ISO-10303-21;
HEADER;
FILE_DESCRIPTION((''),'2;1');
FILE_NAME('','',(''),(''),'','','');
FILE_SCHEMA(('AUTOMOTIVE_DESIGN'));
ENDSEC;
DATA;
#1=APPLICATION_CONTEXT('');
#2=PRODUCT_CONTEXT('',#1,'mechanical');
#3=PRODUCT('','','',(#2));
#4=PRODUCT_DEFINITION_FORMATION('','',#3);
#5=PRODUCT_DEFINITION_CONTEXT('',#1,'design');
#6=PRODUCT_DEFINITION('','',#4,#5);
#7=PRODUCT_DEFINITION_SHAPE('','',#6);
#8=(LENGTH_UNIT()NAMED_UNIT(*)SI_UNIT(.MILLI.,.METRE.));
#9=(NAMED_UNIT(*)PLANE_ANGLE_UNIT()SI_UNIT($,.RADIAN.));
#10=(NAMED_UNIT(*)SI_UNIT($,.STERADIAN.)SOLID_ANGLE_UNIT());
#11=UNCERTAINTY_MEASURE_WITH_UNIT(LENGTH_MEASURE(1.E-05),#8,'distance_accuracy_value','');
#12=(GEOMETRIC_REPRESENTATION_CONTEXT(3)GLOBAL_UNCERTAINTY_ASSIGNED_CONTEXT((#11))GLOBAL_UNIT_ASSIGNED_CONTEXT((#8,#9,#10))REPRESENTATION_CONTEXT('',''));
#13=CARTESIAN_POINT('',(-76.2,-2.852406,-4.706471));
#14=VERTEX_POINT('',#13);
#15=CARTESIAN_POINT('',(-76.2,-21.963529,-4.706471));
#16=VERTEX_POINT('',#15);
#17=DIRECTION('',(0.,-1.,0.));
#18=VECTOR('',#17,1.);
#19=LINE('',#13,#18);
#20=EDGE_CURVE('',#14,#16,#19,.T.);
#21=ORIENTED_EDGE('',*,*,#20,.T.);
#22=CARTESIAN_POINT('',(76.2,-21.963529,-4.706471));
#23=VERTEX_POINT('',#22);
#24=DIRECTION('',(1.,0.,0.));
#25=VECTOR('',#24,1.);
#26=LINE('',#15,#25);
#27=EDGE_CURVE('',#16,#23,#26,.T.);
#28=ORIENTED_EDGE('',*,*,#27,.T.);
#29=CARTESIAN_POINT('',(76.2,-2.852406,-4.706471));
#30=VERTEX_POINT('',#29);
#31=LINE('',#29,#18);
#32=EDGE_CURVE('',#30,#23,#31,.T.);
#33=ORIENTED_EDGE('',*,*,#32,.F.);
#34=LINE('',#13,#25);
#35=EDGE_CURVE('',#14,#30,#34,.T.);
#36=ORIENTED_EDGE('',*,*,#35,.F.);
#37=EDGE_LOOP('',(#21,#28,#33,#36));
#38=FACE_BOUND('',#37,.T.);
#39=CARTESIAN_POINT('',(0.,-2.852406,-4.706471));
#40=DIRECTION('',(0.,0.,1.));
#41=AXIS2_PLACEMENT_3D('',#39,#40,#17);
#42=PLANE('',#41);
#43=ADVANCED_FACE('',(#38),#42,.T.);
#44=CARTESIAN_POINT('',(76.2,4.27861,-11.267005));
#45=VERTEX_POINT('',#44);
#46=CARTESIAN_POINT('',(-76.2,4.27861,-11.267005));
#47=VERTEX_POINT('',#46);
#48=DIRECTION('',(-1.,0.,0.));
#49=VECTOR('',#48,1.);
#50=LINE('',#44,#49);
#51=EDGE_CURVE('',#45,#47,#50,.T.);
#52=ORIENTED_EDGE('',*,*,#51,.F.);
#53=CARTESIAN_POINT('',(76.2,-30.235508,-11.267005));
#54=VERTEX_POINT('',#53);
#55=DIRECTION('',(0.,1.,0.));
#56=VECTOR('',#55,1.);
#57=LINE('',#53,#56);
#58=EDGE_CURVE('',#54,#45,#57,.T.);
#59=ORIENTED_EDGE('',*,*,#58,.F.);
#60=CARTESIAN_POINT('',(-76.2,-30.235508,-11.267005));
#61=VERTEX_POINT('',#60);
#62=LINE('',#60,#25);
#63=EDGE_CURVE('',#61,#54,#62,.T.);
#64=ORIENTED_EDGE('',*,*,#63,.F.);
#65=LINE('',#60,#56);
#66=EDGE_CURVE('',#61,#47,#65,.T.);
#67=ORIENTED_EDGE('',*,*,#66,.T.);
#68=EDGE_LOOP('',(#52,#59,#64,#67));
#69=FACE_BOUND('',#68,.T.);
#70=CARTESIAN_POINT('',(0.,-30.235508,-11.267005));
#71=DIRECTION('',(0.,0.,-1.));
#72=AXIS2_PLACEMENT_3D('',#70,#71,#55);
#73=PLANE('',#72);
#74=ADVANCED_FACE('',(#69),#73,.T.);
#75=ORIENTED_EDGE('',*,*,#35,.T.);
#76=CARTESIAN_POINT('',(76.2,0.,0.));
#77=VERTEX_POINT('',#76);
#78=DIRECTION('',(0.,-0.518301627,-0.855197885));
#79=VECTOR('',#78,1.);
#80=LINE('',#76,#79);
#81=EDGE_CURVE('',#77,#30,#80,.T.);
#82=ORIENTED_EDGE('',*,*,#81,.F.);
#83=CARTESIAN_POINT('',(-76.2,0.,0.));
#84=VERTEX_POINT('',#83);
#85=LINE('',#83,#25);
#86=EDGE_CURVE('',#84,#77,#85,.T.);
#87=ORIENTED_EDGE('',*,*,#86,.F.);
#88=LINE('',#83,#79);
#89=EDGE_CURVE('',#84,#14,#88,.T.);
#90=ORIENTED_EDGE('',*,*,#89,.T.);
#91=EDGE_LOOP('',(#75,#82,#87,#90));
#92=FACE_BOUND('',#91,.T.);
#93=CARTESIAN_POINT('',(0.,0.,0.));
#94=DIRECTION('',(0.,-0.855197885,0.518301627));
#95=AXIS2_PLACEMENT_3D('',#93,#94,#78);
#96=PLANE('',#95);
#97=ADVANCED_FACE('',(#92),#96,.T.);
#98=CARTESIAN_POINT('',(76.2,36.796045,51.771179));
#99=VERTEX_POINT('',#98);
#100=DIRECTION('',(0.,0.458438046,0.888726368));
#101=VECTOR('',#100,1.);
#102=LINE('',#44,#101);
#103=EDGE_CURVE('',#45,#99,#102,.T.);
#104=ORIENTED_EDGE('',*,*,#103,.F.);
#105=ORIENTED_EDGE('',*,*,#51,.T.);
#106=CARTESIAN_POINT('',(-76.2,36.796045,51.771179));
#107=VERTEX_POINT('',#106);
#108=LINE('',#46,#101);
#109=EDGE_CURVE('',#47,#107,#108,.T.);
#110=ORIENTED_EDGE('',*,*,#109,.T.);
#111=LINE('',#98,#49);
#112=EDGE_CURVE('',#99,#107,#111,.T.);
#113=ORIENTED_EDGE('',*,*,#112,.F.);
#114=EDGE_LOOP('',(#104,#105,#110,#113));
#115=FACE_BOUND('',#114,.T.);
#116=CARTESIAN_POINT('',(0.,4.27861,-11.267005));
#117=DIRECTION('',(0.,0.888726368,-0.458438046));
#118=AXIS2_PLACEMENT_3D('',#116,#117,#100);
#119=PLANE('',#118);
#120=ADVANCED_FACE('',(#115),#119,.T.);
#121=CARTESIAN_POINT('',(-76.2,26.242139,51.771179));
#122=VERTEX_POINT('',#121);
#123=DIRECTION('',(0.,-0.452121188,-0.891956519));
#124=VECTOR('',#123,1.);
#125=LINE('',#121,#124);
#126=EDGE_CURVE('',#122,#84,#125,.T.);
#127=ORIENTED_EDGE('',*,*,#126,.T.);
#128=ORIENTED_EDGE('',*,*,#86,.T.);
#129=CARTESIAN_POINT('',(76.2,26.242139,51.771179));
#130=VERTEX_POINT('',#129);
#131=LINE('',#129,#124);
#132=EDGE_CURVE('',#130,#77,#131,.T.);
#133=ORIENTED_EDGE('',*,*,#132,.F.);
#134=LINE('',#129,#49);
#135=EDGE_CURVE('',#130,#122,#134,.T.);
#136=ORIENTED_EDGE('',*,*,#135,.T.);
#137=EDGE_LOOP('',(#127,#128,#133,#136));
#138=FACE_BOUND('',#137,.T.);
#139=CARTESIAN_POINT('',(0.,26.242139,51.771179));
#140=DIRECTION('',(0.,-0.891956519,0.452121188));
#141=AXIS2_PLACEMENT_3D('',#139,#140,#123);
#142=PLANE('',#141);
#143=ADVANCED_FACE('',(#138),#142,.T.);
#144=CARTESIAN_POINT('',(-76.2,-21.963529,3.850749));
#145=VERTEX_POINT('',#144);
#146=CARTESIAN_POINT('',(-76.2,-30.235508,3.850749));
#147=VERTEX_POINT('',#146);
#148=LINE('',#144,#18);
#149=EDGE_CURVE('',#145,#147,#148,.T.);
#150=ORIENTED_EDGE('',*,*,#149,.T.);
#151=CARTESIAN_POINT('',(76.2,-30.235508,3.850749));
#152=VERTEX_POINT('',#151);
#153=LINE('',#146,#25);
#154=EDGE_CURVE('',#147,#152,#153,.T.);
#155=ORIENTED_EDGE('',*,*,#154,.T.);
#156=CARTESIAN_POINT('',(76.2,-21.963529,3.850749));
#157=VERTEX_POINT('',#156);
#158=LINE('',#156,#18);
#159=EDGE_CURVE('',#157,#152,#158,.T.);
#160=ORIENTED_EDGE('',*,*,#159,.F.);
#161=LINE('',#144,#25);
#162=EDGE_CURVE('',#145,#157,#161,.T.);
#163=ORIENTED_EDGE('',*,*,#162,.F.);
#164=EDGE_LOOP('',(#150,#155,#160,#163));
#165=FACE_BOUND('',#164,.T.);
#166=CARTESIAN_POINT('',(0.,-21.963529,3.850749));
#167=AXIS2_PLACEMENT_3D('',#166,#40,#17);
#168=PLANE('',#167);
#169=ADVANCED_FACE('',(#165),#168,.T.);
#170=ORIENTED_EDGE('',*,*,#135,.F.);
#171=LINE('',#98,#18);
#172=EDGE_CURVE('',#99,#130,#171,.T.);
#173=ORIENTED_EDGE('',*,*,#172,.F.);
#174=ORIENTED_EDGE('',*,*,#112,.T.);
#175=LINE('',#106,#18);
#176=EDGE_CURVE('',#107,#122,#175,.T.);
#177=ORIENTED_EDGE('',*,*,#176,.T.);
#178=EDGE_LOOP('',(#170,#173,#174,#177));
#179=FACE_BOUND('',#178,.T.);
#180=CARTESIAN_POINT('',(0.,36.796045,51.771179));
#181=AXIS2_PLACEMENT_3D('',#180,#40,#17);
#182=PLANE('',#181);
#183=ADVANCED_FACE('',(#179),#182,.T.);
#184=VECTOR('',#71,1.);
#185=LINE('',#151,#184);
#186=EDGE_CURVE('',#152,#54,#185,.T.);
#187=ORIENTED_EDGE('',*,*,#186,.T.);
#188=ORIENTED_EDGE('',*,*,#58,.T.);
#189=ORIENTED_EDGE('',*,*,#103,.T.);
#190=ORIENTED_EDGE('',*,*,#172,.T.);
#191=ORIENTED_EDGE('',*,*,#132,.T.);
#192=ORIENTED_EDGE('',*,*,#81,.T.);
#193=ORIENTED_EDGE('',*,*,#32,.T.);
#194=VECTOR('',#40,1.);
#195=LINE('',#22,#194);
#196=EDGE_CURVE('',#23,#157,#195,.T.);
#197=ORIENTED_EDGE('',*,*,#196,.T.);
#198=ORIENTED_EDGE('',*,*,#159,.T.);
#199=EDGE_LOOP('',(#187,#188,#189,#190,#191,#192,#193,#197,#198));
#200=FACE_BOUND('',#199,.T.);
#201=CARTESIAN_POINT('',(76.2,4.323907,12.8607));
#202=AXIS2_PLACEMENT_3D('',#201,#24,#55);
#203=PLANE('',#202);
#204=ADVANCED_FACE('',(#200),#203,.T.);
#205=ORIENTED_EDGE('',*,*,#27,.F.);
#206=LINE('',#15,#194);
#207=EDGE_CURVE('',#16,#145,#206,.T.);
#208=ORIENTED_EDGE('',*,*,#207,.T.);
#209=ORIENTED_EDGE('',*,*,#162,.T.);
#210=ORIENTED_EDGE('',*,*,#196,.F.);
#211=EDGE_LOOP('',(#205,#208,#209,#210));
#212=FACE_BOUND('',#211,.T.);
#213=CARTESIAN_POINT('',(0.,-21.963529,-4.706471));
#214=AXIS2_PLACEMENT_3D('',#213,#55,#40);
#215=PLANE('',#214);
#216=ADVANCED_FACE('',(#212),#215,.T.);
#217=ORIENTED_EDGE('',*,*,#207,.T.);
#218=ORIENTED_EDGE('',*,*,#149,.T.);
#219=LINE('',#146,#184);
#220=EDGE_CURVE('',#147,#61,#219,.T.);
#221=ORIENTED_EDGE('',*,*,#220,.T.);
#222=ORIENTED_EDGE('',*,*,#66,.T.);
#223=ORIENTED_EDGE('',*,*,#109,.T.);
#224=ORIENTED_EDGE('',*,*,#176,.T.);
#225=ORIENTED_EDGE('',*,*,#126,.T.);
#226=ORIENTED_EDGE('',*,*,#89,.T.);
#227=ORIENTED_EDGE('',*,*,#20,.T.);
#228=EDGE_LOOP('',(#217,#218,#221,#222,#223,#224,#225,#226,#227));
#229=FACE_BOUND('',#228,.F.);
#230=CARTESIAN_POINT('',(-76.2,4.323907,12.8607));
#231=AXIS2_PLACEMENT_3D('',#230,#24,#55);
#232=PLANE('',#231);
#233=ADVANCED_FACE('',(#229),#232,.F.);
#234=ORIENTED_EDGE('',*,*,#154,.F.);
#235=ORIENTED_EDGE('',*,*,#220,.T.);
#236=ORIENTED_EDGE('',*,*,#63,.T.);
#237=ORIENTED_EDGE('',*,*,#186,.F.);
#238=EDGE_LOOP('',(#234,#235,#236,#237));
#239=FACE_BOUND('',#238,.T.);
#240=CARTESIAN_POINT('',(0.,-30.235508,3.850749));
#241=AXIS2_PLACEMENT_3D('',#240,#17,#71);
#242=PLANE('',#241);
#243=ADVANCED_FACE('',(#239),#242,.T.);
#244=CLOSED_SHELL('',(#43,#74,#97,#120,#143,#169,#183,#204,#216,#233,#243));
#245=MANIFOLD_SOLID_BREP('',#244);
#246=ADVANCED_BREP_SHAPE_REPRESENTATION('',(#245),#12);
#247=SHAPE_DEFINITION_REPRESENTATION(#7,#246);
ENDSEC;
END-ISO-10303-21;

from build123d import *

# Parameters (mm, degrees)
F1_DEPTH      = 76.2
F1_DEPTH_BACK = 76.2


with BuildPart() as f1:
    # F0 (on Right) → F1 (new body, two sides)
    with BuildSketch(Plane.YZ) as f1_sk:
        Polygon((26.242139, 51.771179), (0, 0), (-2.852406, -4.706471), (-21.963529, -4.706471), (-21.963529, 3.850749), (-30.235508, 3.850749), (-30.235508, -11.267005), (4.27861, -11.267005), (36.796045, 51.771179), align=None)
    extrude(amount=F1_DEPTH)
    extrude(f1_sk.sketch, amount=-F1_DEPTH_BACK)


solid = f1.part
